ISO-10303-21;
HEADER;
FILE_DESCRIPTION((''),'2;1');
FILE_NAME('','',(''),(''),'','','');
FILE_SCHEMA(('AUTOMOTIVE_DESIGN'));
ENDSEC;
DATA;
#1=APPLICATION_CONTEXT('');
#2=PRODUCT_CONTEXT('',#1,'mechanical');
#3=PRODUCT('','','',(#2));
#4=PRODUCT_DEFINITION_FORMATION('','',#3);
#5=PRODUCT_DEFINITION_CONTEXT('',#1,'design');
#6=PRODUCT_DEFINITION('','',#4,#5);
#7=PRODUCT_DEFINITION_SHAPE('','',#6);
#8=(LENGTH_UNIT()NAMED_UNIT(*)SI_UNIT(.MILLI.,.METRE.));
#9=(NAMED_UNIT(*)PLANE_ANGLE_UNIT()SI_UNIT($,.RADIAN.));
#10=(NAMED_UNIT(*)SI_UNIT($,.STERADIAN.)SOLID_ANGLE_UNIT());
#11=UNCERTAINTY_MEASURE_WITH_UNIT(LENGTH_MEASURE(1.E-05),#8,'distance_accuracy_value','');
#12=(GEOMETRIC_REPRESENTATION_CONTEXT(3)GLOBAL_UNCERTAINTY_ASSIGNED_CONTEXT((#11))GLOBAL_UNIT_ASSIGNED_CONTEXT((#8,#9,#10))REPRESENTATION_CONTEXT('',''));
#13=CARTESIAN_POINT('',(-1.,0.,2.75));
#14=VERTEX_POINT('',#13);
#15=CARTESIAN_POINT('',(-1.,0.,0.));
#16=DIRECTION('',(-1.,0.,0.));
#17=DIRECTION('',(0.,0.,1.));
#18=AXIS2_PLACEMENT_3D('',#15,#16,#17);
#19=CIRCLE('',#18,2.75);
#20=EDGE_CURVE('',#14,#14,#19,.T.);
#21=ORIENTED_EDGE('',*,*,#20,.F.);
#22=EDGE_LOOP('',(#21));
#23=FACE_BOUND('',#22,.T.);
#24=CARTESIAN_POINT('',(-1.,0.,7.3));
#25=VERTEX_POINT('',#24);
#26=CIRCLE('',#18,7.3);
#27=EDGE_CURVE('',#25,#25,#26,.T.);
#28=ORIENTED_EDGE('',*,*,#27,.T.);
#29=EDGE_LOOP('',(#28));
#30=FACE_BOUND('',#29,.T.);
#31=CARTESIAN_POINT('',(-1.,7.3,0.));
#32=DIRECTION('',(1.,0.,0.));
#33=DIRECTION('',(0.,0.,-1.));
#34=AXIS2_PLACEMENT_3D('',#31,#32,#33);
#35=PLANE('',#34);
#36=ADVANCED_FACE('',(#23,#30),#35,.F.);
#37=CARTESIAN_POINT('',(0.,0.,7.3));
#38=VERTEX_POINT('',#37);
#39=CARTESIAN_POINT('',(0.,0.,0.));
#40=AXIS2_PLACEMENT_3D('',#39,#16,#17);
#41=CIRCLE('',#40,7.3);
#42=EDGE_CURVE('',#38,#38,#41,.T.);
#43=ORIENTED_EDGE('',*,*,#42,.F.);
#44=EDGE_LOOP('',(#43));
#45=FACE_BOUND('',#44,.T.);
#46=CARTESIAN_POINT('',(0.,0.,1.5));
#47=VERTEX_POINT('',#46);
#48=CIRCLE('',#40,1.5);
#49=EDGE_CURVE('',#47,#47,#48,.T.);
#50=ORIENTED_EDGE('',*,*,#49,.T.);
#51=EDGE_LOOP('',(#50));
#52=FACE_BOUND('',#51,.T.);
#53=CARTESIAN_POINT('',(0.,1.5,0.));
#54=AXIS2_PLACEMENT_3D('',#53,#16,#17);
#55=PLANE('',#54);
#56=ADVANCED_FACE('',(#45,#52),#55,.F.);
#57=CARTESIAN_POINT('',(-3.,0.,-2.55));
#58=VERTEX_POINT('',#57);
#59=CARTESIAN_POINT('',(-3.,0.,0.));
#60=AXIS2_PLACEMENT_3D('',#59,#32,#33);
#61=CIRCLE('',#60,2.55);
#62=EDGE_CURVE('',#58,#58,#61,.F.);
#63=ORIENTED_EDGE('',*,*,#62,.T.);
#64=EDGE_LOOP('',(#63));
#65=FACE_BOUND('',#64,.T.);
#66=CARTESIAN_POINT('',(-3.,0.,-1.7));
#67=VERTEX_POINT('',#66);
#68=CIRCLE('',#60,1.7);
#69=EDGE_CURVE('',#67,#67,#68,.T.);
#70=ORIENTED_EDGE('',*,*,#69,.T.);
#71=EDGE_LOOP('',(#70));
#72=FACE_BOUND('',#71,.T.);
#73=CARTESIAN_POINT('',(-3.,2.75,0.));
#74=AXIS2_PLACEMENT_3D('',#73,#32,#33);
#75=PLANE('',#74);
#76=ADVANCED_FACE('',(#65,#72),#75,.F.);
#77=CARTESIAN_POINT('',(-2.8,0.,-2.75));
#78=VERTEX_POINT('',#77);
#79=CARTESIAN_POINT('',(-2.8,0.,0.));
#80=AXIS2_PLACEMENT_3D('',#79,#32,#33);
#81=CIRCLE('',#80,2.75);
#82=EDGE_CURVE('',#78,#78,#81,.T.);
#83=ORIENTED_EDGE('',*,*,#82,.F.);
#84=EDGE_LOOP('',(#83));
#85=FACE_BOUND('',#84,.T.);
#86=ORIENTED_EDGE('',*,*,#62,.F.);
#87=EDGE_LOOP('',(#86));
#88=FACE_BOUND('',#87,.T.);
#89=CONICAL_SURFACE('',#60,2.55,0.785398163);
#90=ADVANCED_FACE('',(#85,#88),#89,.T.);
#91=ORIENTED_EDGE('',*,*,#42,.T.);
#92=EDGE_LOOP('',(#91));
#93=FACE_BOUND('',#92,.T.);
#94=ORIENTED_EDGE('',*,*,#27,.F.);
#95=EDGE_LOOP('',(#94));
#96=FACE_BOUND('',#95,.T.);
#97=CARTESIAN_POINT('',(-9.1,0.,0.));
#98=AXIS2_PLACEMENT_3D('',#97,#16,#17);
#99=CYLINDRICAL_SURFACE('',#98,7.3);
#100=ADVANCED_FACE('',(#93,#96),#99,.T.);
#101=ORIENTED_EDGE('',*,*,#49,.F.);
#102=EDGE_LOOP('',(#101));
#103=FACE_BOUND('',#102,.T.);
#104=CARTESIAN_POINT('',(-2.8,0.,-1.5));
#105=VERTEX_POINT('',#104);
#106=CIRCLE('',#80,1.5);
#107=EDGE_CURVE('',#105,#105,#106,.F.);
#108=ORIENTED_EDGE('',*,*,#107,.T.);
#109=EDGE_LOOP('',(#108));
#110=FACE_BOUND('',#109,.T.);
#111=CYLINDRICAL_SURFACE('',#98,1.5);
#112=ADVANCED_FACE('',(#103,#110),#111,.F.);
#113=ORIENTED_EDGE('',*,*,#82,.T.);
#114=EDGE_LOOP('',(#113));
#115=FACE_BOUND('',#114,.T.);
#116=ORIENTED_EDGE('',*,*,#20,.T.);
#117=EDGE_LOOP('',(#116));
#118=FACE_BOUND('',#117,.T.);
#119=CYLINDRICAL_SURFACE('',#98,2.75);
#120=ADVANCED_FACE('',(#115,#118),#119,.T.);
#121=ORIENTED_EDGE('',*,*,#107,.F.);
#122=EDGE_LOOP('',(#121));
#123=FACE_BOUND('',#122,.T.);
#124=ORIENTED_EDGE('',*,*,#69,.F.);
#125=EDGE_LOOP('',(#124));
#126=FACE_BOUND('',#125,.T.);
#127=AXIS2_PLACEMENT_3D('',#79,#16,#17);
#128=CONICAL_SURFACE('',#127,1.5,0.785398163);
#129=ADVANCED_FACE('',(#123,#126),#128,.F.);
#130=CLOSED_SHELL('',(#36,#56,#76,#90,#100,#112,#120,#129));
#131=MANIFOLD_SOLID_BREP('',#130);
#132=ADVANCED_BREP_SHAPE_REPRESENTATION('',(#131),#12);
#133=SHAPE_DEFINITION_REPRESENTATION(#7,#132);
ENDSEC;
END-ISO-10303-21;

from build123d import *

# Parameters (mm, degrees)
CHAMFER_1_SIZE = 0.2


with BuildPart() as part:
    # 草图1 → 旋转1 (revolve)
    with BuildSketch(Plane.XY, mode=Mode.PRIVATE) as revolve_1_sk:
        Polygon((0, 1.5), (0, 7.3), (-1, 7.3), (-1, 2.75), (-3, 2.75), (-3, 1.5), align=None)
    revolve(revolve_1_sk.sketch.rotate(Axis((-9.1, 0, 0), (1, 0, 0)), 90), axis=Axis((-9.1, 0, 0), (1, 0, 0)))

    # 倒角1
    chamfer_1_edges = [part.edges().sort_by_distance(p)[0] for p in [
        (-3, 0, -1.5),
        (-3, 0, -2.75),
    ]]
    chamfer(chamfer_1_edges, length=CHAMFER_1_SIZE)


solid = part.part
